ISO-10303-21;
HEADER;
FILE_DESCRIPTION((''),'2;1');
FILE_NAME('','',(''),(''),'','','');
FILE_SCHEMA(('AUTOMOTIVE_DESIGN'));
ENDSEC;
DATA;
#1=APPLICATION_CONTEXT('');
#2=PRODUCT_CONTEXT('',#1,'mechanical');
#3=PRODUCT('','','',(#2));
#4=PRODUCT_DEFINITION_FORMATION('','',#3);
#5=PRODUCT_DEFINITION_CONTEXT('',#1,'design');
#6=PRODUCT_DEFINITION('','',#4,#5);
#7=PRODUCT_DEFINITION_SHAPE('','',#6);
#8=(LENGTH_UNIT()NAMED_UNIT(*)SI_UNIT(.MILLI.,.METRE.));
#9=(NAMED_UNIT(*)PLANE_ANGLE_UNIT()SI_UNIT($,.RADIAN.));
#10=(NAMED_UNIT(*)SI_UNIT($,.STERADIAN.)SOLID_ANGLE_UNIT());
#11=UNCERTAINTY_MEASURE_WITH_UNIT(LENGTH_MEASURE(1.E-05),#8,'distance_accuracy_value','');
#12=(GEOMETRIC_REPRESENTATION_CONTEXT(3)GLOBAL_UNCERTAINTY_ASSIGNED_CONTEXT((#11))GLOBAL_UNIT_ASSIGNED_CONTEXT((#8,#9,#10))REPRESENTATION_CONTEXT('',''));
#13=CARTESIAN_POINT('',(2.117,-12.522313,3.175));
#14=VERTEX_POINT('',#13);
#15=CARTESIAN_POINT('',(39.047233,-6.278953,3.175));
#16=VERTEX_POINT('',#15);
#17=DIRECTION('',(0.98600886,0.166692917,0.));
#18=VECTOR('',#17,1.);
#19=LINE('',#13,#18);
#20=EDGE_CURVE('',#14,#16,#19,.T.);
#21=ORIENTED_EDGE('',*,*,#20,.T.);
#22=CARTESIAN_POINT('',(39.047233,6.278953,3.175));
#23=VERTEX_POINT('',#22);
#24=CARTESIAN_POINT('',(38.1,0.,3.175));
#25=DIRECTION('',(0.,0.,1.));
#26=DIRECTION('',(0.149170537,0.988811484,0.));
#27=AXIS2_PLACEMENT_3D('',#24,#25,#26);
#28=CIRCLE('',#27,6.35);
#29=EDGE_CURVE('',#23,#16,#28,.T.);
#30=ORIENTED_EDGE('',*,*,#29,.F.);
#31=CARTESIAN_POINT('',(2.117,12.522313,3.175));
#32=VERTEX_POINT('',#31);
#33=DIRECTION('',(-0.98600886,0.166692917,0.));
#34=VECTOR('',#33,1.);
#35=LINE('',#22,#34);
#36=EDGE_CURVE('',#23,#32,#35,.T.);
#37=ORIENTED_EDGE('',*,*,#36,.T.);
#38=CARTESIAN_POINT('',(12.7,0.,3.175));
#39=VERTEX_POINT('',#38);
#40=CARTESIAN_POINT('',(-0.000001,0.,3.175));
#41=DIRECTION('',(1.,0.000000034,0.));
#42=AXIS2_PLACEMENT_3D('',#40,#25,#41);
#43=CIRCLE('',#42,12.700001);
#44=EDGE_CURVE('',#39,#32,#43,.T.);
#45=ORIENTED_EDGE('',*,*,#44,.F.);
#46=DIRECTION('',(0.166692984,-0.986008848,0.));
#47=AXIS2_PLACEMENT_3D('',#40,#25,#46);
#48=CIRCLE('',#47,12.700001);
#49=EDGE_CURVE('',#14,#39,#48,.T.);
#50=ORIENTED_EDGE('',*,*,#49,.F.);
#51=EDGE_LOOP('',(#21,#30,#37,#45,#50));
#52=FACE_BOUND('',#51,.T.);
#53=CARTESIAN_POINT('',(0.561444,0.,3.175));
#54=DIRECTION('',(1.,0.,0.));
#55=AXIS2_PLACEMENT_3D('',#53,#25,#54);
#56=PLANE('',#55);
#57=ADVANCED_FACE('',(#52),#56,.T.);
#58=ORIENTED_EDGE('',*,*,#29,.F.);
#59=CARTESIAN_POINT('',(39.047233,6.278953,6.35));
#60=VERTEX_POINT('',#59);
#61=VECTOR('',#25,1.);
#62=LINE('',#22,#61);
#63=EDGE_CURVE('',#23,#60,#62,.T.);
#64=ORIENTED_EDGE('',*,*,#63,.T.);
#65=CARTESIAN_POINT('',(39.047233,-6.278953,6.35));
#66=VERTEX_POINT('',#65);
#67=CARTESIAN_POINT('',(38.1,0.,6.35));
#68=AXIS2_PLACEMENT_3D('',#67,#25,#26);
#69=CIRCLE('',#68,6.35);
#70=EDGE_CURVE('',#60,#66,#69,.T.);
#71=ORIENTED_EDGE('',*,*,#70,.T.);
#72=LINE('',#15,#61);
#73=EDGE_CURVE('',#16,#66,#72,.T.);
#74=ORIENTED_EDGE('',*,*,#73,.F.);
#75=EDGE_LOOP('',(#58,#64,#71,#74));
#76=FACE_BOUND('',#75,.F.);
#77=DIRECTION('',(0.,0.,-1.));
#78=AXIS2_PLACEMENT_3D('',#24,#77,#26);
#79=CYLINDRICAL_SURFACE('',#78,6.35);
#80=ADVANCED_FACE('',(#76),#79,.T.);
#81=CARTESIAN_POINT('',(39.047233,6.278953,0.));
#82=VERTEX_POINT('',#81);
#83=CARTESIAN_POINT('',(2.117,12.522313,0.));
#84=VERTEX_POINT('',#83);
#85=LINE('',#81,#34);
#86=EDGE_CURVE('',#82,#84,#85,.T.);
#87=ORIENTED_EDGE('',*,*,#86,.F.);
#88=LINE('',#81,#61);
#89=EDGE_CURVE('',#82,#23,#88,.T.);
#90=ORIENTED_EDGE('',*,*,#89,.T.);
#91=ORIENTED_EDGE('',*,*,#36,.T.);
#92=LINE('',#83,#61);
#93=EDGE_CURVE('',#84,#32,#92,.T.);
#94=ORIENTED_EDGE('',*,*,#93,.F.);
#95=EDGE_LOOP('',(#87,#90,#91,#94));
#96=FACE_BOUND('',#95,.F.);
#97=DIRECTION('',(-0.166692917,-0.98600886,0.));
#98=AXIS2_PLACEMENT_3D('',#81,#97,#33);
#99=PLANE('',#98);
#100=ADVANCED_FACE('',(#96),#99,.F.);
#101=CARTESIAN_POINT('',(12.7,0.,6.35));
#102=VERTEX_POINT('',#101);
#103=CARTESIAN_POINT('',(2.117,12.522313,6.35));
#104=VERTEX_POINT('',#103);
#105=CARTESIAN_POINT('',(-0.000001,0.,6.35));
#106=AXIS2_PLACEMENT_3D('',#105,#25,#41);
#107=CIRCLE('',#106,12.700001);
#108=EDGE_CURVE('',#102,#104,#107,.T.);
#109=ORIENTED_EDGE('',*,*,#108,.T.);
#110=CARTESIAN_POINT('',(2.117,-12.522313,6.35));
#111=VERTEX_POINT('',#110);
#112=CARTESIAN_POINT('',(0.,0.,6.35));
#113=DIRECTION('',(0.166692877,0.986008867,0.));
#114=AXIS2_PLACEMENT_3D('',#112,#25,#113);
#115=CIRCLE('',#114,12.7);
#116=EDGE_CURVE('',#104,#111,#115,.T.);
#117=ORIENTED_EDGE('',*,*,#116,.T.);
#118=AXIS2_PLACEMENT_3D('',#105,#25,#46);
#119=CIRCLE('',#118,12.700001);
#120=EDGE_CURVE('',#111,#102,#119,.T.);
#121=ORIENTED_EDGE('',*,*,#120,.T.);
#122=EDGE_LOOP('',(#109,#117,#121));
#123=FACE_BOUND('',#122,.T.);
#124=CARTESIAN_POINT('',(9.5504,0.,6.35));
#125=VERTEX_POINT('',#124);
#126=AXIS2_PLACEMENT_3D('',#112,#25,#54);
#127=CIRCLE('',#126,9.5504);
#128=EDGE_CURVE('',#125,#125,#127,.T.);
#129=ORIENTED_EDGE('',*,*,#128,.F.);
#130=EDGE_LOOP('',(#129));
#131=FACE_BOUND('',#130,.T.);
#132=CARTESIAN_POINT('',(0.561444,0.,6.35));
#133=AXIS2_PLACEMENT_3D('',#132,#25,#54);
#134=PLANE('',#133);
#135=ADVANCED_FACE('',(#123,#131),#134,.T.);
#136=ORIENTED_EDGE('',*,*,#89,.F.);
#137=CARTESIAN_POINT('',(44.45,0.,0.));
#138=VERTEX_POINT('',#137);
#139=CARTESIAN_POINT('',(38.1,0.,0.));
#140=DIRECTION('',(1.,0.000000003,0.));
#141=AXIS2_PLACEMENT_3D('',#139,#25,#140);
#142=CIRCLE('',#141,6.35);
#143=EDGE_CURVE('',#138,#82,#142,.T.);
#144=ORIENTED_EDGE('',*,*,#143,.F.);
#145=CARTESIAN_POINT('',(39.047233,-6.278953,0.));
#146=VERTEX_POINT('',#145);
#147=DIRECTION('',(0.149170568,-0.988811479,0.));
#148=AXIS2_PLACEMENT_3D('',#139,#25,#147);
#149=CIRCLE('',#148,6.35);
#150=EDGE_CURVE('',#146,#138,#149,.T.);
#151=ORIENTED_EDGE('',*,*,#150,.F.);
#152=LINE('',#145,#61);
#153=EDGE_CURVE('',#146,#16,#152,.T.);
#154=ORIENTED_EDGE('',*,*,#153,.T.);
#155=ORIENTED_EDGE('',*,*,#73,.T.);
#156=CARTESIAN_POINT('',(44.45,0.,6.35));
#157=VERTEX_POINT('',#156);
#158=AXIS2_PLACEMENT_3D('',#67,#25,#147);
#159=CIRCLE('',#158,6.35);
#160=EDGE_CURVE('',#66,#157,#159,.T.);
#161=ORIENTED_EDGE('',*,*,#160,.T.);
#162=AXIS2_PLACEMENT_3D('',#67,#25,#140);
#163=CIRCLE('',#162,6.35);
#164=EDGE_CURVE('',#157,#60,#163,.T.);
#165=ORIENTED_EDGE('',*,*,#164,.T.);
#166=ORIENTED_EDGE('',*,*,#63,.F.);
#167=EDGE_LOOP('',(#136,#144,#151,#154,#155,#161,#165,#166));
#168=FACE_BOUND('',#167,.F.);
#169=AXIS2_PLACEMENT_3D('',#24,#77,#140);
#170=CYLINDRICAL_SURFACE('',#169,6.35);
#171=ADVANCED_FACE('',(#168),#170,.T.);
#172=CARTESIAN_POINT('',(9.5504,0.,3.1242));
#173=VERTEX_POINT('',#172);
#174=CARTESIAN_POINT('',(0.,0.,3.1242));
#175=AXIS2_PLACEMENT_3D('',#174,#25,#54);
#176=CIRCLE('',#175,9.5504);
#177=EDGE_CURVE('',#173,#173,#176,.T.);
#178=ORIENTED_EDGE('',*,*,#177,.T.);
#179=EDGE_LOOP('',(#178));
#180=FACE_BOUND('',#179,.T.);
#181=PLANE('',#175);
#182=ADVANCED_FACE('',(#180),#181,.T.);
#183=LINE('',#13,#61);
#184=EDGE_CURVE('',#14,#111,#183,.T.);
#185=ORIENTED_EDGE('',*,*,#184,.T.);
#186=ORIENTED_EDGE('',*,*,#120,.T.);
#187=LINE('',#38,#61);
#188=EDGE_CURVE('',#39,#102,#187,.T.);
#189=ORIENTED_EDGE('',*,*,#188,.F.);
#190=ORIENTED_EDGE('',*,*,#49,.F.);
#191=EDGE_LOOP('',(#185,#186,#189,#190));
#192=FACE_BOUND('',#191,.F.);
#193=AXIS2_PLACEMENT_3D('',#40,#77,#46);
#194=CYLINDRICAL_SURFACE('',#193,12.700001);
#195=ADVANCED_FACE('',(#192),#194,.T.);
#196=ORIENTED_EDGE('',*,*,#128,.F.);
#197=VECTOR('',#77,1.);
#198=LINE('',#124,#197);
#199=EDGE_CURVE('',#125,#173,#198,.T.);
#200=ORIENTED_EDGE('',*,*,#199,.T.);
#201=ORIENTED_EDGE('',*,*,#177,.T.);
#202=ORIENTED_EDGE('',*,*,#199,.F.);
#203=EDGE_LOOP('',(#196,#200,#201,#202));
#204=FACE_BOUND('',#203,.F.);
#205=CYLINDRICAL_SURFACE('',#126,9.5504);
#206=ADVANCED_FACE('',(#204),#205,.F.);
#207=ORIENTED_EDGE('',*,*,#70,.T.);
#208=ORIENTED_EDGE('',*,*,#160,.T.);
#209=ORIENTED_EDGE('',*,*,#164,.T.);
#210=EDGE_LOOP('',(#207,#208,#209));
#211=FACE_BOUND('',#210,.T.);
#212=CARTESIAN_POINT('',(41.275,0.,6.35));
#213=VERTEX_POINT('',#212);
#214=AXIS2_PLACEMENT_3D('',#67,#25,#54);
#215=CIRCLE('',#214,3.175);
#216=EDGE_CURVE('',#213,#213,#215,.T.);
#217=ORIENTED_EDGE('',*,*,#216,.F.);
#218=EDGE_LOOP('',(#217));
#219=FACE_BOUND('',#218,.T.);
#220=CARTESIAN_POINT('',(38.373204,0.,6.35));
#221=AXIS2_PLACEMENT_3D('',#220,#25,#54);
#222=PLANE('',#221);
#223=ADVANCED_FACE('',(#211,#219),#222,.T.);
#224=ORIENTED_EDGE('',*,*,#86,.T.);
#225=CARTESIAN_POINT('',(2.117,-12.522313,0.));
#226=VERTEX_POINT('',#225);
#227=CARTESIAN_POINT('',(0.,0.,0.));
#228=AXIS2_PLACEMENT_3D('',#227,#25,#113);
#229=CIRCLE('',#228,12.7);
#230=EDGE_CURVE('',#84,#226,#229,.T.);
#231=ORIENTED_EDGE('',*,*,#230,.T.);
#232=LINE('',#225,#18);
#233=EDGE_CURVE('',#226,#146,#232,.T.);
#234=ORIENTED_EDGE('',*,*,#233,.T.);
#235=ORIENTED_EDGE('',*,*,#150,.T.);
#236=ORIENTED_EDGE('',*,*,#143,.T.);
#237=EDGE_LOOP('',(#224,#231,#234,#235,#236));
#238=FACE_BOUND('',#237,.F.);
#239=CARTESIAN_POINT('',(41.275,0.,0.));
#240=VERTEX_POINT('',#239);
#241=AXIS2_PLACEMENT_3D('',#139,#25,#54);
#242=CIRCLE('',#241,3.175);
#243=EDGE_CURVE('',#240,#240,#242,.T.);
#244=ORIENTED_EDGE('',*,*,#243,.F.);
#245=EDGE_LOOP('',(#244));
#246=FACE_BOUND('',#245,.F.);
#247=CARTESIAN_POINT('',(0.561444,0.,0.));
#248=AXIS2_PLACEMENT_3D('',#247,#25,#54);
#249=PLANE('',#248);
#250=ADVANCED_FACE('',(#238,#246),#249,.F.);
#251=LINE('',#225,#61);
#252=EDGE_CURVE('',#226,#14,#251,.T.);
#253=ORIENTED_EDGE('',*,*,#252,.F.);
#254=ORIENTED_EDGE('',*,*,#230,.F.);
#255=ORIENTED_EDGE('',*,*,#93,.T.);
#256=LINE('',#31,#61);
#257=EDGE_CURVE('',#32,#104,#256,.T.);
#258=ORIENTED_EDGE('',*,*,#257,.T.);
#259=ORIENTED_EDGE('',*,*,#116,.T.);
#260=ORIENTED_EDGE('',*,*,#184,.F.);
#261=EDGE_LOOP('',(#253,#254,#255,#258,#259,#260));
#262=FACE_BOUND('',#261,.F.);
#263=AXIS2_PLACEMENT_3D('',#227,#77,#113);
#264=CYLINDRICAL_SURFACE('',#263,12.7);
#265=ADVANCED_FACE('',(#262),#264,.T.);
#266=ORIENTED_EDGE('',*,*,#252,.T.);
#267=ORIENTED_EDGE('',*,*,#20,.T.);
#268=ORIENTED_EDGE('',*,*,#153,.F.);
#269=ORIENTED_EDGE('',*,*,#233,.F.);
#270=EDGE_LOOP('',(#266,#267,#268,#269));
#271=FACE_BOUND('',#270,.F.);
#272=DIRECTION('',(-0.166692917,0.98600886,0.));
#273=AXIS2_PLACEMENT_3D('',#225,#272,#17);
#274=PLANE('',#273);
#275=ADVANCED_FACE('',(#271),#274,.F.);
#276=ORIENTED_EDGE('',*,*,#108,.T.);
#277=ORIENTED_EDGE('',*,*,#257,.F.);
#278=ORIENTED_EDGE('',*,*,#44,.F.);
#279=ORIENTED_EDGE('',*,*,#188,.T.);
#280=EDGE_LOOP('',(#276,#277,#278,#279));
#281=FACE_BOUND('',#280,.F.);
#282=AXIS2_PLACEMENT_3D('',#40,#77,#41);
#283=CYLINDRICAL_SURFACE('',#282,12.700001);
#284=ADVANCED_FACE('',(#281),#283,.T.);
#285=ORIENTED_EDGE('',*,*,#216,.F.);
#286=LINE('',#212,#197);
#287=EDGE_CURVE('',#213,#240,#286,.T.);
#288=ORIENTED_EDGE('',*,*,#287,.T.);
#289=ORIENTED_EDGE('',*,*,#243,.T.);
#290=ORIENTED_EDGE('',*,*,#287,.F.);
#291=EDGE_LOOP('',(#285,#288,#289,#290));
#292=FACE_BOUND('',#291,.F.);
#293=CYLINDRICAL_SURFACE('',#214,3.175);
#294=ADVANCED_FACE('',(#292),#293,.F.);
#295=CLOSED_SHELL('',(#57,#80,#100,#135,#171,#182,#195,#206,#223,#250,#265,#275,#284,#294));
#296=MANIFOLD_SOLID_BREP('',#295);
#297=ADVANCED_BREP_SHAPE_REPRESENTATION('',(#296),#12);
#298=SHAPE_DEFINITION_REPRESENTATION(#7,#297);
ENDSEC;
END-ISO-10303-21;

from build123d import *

# Parameters (mm, degrees)
F1_DEPTH = 3.175
F3_DEPTH = 3.175
F4_R     = 9.5504
F5_DEPTH = 3.2258
F6_R     = 3.175
F7_DEPTH = 6.351


with BuildPart() as f1:
    # F0 (on Top) → F1 (new body)
    with BuildSketch(Plane.XY):
        with BuildLine():
            ThreePointArc((2.117, -12.522313), (9.699894, -8.197686), (12.7, 0))
            ThreePointArc((12.7, 0), (9.699894, 8.197686), (2.117, 12.522313))
            ThreePointArc((2.117, 12.522313), (-12.7, 0), (2.117, -12.522313))
        make_face()
        with BuildLine():
            ThreePointArc((2.117, 12.522313), (9.699894, 8.197686), (12.7, 0))
            ThreePointArc((12.7, 0), (9.699894, -8.197686), (2.117, -12.522313))
            Line((2.117, -12.522313), (39.047233, -6.278953))
            ThreePointArc((39.047233, -6.278953), (31.75, 0), (39.047233, 6.278953))
            Line((39.047233, 6.278953), (2.117, 12.522313))
        make_face()
        with BuildLine():
            ThreePointArc((44.45, 0), (42.913389, 4.141713), (39.047233, 6.278953))
            ThreePointArc((39.047233, 6.278953), (31.75, 0), (39.047233, -6.278953))
            ThreePointArc((39.047233, -6.278953), (42.913389, -4.141713), (44.45, 0))
        make_face()
    extrude(amount=F1_DEPTH)

    # F2 (on face) → F3 (join)
    with BuildSketch(Plane.XY.offset(3.175)):
        with BuildLine():
            ThreePointArc((39.047233, 6.278953), (31.75, 0), (39.047233, -6.278953))
            ThreePointArc((39.047233, -6.278953), (42.913389, -4.141713), (44.45, 0))
            ThreePointArc((44.45, 0), (42.913389, 4.141713), (39.047233, 6.278953))
        make_face()
        with BuildLine():
            ThreePointArc((12.7, 0), (9.699894, 8.197686), (2.117, 12.522313))
            ThreePointArc((2.117, 12.522313), (-12.7, 0), (2.117, -12.522313))
            ThreePointArc((2.117, -12.522313), (9.699894, -8.197686), (12.7, 0))
        make_face()
    extrude(amount=F3_DEPTH)

    # F4 (on face) → F5 (cut)
    with BuildSketch(Plane.XY.offset(6.35)):
        Circle(F4_R)
    extrude(amount=-F5_DEPTH, mode=Mode.SUBTRACT)

    # F6 (on face) → F7 (cut, through all)
    with BuildSketch(Plane.XY.offset(6.35)):
        with Locations((38.1, 0)):
            Circle(F6_R)
    extrude(amount=-F7_DEPTH, mode=Mode.SUBTRACT)


solid = f1.part
